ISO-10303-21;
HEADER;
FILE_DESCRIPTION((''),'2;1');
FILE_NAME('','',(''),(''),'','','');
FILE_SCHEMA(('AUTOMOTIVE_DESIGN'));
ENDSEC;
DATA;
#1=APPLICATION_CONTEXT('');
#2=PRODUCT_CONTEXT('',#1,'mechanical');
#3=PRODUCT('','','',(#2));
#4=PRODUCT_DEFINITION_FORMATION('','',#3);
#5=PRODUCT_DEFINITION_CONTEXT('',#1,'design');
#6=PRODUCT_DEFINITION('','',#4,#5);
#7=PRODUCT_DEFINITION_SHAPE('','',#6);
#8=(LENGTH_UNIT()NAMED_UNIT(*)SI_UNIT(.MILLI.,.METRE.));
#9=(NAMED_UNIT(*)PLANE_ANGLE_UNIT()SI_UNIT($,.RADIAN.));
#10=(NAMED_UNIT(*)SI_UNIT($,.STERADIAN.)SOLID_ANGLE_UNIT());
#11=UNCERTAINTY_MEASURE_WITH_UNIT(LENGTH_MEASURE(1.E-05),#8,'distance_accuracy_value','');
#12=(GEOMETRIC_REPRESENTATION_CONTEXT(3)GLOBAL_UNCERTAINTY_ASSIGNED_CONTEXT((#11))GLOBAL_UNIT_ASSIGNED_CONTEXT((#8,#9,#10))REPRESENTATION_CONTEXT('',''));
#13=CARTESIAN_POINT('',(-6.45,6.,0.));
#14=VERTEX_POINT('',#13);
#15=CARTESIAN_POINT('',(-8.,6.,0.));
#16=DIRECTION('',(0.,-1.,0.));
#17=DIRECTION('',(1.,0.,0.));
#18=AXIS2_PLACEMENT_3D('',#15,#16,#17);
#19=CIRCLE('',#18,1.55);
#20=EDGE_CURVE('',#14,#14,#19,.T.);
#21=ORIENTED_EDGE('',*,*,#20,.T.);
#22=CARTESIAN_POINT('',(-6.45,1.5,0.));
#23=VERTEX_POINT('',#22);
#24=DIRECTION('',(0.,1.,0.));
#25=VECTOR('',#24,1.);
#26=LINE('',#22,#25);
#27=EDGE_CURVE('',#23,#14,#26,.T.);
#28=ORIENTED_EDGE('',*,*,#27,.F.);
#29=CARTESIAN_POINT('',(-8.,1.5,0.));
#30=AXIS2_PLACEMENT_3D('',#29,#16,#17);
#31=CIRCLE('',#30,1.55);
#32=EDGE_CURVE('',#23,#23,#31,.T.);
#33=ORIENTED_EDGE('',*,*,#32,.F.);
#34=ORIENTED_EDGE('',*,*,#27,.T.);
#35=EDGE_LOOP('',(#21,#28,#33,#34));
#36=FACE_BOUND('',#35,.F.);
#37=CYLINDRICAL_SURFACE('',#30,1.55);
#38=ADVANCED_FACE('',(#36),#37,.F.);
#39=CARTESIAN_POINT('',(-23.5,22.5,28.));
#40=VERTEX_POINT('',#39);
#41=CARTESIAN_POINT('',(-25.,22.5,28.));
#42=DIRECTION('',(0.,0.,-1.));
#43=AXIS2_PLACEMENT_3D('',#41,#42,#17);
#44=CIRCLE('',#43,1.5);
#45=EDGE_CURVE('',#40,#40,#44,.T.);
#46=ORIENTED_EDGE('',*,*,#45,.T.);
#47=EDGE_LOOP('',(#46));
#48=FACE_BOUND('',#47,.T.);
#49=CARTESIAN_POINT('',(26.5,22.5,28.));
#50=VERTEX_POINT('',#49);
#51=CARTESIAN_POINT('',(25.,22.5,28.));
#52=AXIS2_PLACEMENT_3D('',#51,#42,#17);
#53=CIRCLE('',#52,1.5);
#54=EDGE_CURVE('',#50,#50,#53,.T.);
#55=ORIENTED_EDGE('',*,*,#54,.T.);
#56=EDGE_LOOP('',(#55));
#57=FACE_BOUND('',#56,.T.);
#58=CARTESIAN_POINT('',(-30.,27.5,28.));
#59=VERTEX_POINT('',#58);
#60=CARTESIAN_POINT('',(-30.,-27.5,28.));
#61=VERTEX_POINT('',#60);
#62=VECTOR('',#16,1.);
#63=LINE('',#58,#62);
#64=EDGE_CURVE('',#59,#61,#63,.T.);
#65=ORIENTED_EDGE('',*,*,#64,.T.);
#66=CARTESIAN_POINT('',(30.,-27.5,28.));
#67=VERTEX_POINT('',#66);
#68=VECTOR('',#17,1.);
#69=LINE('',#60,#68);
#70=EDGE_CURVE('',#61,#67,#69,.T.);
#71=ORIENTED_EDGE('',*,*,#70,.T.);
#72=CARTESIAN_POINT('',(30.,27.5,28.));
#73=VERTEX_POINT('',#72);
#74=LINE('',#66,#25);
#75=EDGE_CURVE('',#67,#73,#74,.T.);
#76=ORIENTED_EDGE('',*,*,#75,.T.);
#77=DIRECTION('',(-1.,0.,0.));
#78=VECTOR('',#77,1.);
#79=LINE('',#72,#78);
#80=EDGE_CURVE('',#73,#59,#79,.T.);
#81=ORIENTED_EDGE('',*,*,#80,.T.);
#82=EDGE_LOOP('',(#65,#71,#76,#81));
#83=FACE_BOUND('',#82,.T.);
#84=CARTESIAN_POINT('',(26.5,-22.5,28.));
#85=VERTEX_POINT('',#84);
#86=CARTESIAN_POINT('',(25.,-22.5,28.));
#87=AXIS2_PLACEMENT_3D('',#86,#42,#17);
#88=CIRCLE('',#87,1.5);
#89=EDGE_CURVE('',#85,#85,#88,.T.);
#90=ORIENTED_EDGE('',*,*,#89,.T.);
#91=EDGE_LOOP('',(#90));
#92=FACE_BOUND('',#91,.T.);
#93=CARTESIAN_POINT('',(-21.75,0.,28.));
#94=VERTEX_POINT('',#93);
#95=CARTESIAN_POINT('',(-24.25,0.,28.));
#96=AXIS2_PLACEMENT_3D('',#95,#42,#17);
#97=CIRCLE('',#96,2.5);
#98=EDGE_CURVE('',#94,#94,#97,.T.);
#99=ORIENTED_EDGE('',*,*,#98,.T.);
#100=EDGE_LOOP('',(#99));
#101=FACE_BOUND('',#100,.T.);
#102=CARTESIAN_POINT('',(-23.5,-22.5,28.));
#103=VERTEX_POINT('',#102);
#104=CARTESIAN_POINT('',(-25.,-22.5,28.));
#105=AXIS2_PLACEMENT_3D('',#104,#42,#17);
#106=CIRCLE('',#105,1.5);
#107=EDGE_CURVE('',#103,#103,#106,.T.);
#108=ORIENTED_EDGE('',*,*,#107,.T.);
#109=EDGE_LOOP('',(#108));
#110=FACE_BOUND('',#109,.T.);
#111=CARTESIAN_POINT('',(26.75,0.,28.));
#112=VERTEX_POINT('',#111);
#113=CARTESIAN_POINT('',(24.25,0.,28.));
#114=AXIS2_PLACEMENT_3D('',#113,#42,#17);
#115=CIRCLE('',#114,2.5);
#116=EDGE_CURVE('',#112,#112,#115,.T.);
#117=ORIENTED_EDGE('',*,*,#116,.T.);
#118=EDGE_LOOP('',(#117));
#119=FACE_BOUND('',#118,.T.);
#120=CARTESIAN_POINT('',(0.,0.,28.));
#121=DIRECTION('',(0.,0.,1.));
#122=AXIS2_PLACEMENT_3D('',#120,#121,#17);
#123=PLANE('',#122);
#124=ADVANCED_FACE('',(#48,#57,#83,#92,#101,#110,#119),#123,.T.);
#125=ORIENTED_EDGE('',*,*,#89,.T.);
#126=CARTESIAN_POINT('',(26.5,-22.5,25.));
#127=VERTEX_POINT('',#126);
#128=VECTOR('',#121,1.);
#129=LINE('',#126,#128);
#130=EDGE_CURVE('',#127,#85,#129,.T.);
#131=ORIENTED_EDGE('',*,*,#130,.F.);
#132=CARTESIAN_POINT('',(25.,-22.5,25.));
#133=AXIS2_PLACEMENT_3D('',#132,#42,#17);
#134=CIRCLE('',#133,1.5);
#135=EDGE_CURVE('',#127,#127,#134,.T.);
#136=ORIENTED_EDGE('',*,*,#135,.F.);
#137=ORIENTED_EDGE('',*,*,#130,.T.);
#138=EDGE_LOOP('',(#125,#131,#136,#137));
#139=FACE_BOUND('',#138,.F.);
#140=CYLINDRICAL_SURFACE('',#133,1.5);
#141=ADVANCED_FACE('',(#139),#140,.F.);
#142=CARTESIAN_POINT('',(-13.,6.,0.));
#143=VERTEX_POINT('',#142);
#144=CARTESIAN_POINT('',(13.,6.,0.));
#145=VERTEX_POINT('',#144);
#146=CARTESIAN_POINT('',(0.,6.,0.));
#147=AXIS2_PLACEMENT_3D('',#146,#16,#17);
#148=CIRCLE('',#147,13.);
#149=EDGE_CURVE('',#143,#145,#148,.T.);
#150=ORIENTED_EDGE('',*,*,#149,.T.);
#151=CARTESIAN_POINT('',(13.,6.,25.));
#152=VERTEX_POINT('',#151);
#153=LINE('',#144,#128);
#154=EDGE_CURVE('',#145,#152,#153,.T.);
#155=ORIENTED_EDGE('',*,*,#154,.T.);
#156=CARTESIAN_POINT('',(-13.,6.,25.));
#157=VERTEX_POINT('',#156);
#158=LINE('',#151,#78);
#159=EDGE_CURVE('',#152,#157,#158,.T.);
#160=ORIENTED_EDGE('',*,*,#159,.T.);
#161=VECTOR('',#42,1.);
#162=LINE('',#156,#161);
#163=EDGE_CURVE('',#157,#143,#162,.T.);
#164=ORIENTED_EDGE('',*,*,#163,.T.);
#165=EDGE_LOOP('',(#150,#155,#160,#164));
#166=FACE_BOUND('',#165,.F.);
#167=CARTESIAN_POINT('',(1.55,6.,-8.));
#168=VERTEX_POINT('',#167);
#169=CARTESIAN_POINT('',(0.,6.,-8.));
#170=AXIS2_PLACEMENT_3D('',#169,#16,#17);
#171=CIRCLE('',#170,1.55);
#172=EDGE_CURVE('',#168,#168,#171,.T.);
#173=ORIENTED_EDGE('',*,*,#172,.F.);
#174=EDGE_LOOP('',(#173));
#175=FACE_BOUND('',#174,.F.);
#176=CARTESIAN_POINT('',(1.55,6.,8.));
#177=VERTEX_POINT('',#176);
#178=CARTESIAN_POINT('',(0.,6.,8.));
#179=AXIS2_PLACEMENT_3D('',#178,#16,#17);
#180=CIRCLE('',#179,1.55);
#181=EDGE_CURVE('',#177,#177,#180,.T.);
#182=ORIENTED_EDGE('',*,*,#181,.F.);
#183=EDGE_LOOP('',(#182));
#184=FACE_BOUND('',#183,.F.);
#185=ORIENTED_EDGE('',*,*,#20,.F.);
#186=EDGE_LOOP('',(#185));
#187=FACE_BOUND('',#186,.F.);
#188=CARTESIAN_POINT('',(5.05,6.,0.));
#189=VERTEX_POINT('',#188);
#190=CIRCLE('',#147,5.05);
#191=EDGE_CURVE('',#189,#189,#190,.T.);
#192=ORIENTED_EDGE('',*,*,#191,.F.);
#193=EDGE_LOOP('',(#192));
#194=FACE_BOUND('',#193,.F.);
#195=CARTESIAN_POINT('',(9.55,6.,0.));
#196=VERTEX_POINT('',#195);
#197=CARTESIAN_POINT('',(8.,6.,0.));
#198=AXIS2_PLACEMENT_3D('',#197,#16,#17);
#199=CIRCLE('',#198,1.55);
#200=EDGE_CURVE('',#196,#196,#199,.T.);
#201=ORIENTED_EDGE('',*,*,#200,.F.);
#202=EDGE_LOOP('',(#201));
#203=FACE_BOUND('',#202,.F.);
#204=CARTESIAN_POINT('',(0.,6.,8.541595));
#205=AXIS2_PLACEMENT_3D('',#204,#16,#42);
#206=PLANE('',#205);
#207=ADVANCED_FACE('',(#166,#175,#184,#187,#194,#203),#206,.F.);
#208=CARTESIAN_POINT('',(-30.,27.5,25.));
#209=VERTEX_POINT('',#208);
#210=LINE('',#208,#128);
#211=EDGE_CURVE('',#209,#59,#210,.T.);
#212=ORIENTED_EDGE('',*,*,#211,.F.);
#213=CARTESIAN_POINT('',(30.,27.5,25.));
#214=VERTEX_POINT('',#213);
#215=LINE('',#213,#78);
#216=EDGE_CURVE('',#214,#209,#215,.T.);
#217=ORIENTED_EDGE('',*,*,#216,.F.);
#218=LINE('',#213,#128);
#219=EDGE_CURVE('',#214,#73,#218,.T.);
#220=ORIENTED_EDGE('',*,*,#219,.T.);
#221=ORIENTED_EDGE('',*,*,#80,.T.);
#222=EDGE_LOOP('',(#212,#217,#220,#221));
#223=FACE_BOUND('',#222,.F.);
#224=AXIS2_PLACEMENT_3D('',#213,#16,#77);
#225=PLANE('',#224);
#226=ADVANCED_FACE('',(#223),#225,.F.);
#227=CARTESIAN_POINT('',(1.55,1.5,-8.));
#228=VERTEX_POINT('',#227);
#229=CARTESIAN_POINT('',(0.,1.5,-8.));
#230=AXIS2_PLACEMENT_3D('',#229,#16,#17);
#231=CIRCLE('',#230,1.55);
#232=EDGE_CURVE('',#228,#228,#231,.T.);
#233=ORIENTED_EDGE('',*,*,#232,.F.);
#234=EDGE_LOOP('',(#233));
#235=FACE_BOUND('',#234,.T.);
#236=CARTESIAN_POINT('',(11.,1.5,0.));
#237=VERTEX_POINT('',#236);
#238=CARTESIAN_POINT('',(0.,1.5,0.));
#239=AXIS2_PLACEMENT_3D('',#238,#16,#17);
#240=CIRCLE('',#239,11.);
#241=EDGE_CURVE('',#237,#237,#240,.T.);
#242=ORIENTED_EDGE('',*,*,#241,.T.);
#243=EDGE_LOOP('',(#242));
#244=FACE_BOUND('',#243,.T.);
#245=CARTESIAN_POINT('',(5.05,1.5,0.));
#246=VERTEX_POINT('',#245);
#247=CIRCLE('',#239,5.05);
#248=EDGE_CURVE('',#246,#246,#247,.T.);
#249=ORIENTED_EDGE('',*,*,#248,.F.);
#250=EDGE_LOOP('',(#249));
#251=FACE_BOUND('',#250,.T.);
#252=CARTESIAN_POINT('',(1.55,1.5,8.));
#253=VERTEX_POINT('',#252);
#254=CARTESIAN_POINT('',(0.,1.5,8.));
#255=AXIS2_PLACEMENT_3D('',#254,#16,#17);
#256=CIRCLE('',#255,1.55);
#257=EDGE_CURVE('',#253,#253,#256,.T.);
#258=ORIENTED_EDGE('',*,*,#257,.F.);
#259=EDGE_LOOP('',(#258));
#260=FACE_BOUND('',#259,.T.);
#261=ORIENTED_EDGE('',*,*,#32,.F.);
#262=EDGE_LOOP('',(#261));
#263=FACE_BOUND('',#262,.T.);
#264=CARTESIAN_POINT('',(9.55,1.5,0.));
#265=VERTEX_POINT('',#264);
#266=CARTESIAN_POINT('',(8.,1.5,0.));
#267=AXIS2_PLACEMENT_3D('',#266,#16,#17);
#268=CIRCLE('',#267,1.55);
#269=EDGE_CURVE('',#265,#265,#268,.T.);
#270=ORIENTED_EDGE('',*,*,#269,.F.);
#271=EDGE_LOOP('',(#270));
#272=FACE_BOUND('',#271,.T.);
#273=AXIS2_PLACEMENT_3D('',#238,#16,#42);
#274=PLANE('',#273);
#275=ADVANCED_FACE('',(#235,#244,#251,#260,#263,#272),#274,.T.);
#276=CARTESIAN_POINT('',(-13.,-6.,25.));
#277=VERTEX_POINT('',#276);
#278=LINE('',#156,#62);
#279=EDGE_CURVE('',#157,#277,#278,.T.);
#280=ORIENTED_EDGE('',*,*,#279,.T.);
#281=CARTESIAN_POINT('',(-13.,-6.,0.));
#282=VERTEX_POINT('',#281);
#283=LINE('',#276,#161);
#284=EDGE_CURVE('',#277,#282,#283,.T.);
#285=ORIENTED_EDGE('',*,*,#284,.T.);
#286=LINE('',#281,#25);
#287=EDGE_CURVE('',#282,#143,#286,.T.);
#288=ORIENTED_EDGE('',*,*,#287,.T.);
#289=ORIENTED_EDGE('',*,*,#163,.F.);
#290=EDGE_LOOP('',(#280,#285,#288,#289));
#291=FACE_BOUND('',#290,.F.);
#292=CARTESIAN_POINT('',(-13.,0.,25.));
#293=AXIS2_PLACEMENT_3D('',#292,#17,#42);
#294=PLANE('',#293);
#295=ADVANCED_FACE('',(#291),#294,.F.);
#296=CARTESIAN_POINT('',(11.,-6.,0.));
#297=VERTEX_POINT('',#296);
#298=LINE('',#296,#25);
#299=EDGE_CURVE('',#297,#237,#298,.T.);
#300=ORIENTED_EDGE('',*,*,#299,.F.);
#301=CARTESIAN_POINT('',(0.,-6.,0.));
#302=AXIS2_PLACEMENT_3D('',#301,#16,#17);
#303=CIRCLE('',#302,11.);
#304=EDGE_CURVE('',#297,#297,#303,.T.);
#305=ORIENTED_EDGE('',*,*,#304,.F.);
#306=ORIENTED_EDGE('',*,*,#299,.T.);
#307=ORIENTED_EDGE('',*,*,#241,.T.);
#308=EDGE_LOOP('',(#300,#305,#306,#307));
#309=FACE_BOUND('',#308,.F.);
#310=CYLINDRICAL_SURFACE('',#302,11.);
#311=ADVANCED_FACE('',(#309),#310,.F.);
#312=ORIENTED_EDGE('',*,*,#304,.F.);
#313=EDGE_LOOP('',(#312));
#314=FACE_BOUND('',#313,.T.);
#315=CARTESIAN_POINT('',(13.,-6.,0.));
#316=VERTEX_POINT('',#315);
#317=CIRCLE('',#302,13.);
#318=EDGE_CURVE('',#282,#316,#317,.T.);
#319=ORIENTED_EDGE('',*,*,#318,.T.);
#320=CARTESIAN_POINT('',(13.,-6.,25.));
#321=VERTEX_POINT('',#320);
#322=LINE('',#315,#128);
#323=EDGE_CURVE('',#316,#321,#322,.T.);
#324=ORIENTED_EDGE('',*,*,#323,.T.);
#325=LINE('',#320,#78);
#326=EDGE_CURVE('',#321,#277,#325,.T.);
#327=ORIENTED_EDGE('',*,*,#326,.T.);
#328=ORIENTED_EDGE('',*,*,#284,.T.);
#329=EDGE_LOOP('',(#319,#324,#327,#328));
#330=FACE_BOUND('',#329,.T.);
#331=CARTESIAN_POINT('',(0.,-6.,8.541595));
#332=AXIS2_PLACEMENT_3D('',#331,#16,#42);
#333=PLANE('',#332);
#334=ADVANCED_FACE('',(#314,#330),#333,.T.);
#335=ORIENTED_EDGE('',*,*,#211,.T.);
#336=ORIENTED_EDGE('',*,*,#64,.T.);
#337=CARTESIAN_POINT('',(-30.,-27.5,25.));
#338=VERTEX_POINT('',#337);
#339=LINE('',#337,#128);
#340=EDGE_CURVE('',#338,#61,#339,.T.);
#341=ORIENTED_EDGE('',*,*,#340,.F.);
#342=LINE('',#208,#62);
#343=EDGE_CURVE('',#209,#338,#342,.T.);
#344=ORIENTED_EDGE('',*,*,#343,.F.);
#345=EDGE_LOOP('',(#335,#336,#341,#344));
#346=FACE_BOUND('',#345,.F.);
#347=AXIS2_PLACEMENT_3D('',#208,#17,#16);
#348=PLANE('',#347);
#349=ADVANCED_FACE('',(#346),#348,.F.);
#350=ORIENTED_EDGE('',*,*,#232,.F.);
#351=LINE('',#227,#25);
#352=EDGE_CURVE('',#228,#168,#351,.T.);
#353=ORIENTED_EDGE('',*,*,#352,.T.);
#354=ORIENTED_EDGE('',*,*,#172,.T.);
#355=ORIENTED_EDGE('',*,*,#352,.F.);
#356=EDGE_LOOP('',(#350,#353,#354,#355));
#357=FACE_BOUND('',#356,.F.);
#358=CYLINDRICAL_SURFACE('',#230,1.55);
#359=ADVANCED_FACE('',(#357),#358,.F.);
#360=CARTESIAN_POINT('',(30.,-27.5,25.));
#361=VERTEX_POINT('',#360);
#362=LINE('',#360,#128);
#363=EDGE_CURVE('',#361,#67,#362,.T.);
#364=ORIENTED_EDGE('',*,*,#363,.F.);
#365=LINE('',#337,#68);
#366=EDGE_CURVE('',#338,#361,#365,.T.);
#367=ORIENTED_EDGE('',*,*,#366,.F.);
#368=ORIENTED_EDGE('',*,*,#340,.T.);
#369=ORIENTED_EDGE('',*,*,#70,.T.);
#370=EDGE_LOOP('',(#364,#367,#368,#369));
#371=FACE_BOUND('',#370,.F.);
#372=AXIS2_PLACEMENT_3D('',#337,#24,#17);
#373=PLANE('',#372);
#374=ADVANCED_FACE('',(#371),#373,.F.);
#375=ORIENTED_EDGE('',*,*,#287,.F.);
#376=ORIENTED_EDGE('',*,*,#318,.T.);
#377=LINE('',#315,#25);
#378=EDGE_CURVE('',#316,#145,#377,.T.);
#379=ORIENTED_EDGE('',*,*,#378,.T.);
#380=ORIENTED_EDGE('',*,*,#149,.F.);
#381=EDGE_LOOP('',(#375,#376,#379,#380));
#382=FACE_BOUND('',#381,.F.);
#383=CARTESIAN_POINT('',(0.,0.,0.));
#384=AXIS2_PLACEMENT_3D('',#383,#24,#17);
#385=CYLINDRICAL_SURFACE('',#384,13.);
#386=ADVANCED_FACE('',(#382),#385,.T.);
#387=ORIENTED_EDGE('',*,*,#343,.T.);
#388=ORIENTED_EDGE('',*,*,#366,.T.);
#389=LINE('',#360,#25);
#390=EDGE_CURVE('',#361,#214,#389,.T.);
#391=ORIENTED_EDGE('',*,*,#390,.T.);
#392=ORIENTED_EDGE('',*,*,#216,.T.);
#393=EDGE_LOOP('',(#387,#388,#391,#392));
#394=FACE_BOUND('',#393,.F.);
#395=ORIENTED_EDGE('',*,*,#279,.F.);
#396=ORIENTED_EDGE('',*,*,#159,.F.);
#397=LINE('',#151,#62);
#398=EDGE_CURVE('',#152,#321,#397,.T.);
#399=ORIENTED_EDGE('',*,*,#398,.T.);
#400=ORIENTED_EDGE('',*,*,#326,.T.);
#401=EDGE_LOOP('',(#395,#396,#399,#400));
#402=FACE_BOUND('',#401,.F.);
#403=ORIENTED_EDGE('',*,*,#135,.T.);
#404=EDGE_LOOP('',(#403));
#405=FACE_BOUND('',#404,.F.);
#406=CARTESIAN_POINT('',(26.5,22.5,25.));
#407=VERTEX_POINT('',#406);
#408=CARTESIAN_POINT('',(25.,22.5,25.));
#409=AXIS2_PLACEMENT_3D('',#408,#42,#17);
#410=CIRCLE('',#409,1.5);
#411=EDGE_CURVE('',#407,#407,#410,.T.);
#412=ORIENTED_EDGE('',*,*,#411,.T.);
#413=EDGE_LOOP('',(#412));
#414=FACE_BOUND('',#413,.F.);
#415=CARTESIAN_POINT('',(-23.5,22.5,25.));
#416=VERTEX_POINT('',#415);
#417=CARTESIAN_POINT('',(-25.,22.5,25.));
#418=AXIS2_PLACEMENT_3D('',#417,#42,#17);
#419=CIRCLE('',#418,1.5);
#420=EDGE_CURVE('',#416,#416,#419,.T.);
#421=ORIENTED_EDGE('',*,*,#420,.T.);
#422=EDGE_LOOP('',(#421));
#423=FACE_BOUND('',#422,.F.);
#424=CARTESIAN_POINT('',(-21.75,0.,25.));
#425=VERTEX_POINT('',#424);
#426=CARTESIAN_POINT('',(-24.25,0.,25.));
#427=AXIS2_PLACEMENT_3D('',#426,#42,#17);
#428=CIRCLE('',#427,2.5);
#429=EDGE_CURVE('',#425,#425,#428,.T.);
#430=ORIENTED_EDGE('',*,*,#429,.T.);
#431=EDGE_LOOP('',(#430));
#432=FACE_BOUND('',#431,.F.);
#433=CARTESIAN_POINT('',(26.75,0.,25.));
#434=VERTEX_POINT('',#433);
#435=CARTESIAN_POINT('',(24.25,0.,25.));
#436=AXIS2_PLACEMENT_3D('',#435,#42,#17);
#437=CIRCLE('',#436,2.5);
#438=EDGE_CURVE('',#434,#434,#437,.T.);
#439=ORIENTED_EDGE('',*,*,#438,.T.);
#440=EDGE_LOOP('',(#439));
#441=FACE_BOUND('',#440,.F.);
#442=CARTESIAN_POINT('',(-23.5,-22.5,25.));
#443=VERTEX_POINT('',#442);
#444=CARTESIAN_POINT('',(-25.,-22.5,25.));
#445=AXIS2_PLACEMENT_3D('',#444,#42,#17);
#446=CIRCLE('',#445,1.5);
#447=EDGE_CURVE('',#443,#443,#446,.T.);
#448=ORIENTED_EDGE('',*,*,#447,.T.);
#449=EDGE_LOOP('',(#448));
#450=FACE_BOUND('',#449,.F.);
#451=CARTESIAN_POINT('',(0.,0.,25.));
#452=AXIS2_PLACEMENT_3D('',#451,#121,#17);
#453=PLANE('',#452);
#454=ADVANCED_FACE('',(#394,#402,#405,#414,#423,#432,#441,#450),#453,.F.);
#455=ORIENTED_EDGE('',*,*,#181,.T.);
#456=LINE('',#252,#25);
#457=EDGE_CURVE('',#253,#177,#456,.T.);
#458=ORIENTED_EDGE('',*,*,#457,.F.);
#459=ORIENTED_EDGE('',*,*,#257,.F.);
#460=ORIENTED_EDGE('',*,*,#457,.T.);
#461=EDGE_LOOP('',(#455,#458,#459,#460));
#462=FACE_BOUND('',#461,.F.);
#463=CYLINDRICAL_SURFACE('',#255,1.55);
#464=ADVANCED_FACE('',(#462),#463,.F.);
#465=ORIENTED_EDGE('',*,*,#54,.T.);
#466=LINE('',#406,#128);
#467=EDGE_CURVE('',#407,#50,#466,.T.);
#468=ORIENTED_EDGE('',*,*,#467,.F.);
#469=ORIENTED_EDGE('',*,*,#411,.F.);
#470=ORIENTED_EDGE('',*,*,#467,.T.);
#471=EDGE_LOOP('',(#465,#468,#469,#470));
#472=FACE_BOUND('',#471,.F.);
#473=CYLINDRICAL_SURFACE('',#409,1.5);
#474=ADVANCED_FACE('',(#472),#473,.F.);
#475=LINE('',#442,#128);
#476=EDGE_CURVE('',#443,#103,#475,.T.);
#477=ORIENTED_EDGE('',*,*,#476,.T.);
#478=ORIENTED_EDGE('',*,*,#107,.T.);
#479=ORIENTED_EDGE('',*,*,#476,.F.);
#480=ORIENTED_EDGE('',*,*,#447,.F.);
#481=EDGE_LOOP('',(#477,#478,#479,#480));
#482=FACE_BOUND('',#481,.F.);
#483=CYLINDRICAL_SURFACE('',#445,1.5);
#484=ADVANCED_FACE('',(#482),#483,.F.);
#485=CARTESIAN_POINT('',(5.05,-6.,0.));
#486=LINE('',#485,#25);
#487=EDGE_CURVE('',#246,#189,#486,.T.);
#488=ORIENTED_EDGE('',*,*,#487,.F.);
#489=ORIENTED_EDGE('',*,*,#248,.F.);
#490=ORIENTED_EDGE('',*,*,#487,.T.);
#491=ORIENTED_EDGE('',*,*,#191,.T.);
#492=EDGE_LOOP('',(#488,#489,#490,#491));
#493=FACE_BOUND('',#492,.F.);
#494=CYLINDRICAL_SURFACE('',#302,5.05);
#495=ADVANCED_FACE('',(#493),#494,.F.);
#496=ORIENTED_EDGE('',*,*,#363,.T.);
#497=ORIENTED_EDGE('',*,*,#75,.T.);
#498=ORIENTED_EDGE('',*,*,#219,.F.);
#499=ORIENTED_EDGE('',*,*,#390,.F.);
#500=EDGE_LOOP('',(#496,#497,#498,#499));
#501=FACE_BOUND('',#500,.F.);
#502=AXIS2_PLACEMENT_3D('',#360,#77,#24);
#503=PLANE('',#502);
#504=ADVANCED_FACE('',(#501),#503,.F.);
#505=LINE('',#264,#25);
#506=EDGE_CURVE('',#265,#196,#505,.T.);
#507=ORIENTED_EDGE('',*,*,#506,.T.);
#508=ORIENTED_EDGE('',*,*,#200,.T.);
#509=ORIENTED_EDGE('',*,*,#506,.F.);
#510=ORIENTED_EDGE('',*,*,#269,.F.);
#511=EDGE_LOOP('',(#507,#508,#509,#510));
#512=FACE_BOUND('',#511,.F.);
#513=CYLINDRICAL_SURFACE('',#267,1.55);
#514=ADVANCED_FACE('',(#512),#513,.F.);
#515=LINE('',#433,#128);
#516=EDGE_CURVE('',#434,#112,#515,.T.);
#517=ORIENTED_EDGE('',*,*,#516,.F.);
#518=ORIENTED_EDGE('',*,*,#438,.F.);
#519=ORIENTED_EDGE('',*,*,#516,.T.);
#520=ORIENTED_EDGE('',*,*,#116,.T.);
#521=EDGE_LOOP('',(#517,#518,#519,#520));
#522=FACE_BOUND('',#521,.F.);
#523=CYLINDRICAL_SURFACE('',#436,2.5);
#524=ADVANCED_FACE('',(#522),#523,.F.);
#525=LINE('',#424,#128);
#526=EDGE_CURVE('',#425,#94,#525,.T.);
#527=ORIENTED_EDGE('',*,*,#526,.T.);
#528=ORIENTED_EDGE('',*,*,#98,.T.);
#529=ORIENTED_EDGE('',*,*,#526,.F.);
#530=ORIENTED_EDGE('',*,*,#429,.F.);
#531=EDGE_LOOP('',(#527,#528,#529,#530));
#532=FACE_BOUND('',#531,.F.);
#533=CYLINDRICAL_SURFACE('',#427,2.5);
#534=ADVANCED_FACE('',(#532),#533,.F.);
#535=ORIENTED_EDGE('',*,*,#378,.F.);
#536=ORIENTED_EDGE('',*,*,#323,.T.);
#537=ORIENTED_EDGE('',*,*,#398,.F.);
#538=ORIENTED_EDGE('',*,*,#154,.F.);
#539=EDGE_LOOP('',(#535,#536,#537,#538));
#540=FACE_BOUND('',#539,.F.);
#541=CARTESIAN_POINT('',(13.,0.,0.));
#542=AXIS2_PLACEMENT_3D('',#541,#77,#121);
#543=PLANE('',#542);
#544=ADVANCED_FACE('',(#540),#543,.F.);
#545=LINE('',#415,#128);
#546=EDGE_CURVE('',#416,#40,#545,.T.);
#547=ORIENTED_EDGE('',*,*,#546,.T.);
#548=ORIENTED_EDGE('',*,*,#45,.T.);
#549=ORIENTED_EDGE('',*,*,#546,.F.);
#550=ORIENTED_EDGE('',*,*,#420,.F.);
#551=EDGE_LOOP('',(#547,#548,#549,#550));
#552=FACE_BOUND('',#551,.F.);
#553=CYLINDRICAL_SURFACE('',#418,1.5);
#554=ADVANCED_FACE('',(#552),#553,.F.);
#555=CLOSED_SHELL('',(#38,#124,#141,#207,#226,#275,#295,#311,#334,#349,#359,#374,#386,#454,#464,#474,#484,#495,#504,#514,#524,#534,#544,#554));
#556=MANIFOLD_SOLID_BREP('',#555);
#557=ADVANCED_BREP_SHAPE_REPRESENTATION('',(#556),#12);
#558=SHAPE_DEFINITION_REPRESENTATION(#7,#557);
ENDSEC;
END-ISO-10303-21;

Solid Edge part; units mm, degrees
sketch "Sketch1" plane through (0, 0, 0) normal (0, -1, 0) x (1, 0, 0)
  line L0 (13, 0) -> (13, 25)
  line L1 (13, 25) -> (-13, 25)
  line L2 (-13, 25) -> (-13, 0)
  arc A0 (-13, 0) -> (13, 0) centre (0, 0) ccw
extrude "Protrusion1" add sketch "Sketch1" along normal mid plane 12
sketch "Sketch2" plane through (0, -6, 3.75) normal (0, -1, 0) x (1, 0, 0)
  circle A0 centre (0, -3.75) radius 5.05
extrude "Cutout1" cut sketch "Sketch2" against normal up to next
sketch "Sketch3" plane through (0, -6, 3.75) normal (0, -1, 0) x (1, 0, 0)
  circle A0 centre (0, -3.75) radius 11
extrude "ExtrudedCutout_2" cut sketch "Sketch3" against normal blind 7.5
sketch "Sketch4" plane through (0, 0, 25) normal (0, 0, 1) x (1, 0, 0)
  line L0 (-30, -27.5) -> (30, -27.5)
  line L1 (30, -27.5) -> (30, 27.5)
  line L2 (30, 27.5) -> (-30, 27.5)
  line L3 (-30, 27.5) -> (-30, -27.5)
extrude "ExtrudedProtrusion_3" add sketch "Sketch4" along normal blind 3
sketch "Sketch5" plane through (0, 0, 25) normal (0, 0, -1) x (1, 0, 0)
  circle A0 centre (-24.25, 0) radius 2.5
  circle A1 centre (24.25, 0) radius 2.5
  circle A2 centre (-25, 22.5) radius 1.5
  circle A3 centre (25, 22.5) radius 1.5
  circle A4 centre (25, -22.5) radius 1.5
  circle A5 centre (-25, -22.5) radius 1.5
  dimension "D1" = 24.25
  dimension "D2" = 5
  dimension "D3" = 5
extrude "Cutout2" cut sketch "Sketch5" against normal up to next
sketch "Sketch6" plane through (0, 1.5, 0) normal (0, -1, 0) x (1, 0, 0)
  circle A0 centre (8, 0) radius 1.55
  circle A1 centre (-8, 0) radius 1.55
  circle A2 centre (0, 8) radius 1.55
  circle A3 centre (0, -8) radius 1.55
  dimension "D1" = 8
  dimension "D2" = 8
extrude "Cutout3" cut sketch "Sketch6" against normal up to next
